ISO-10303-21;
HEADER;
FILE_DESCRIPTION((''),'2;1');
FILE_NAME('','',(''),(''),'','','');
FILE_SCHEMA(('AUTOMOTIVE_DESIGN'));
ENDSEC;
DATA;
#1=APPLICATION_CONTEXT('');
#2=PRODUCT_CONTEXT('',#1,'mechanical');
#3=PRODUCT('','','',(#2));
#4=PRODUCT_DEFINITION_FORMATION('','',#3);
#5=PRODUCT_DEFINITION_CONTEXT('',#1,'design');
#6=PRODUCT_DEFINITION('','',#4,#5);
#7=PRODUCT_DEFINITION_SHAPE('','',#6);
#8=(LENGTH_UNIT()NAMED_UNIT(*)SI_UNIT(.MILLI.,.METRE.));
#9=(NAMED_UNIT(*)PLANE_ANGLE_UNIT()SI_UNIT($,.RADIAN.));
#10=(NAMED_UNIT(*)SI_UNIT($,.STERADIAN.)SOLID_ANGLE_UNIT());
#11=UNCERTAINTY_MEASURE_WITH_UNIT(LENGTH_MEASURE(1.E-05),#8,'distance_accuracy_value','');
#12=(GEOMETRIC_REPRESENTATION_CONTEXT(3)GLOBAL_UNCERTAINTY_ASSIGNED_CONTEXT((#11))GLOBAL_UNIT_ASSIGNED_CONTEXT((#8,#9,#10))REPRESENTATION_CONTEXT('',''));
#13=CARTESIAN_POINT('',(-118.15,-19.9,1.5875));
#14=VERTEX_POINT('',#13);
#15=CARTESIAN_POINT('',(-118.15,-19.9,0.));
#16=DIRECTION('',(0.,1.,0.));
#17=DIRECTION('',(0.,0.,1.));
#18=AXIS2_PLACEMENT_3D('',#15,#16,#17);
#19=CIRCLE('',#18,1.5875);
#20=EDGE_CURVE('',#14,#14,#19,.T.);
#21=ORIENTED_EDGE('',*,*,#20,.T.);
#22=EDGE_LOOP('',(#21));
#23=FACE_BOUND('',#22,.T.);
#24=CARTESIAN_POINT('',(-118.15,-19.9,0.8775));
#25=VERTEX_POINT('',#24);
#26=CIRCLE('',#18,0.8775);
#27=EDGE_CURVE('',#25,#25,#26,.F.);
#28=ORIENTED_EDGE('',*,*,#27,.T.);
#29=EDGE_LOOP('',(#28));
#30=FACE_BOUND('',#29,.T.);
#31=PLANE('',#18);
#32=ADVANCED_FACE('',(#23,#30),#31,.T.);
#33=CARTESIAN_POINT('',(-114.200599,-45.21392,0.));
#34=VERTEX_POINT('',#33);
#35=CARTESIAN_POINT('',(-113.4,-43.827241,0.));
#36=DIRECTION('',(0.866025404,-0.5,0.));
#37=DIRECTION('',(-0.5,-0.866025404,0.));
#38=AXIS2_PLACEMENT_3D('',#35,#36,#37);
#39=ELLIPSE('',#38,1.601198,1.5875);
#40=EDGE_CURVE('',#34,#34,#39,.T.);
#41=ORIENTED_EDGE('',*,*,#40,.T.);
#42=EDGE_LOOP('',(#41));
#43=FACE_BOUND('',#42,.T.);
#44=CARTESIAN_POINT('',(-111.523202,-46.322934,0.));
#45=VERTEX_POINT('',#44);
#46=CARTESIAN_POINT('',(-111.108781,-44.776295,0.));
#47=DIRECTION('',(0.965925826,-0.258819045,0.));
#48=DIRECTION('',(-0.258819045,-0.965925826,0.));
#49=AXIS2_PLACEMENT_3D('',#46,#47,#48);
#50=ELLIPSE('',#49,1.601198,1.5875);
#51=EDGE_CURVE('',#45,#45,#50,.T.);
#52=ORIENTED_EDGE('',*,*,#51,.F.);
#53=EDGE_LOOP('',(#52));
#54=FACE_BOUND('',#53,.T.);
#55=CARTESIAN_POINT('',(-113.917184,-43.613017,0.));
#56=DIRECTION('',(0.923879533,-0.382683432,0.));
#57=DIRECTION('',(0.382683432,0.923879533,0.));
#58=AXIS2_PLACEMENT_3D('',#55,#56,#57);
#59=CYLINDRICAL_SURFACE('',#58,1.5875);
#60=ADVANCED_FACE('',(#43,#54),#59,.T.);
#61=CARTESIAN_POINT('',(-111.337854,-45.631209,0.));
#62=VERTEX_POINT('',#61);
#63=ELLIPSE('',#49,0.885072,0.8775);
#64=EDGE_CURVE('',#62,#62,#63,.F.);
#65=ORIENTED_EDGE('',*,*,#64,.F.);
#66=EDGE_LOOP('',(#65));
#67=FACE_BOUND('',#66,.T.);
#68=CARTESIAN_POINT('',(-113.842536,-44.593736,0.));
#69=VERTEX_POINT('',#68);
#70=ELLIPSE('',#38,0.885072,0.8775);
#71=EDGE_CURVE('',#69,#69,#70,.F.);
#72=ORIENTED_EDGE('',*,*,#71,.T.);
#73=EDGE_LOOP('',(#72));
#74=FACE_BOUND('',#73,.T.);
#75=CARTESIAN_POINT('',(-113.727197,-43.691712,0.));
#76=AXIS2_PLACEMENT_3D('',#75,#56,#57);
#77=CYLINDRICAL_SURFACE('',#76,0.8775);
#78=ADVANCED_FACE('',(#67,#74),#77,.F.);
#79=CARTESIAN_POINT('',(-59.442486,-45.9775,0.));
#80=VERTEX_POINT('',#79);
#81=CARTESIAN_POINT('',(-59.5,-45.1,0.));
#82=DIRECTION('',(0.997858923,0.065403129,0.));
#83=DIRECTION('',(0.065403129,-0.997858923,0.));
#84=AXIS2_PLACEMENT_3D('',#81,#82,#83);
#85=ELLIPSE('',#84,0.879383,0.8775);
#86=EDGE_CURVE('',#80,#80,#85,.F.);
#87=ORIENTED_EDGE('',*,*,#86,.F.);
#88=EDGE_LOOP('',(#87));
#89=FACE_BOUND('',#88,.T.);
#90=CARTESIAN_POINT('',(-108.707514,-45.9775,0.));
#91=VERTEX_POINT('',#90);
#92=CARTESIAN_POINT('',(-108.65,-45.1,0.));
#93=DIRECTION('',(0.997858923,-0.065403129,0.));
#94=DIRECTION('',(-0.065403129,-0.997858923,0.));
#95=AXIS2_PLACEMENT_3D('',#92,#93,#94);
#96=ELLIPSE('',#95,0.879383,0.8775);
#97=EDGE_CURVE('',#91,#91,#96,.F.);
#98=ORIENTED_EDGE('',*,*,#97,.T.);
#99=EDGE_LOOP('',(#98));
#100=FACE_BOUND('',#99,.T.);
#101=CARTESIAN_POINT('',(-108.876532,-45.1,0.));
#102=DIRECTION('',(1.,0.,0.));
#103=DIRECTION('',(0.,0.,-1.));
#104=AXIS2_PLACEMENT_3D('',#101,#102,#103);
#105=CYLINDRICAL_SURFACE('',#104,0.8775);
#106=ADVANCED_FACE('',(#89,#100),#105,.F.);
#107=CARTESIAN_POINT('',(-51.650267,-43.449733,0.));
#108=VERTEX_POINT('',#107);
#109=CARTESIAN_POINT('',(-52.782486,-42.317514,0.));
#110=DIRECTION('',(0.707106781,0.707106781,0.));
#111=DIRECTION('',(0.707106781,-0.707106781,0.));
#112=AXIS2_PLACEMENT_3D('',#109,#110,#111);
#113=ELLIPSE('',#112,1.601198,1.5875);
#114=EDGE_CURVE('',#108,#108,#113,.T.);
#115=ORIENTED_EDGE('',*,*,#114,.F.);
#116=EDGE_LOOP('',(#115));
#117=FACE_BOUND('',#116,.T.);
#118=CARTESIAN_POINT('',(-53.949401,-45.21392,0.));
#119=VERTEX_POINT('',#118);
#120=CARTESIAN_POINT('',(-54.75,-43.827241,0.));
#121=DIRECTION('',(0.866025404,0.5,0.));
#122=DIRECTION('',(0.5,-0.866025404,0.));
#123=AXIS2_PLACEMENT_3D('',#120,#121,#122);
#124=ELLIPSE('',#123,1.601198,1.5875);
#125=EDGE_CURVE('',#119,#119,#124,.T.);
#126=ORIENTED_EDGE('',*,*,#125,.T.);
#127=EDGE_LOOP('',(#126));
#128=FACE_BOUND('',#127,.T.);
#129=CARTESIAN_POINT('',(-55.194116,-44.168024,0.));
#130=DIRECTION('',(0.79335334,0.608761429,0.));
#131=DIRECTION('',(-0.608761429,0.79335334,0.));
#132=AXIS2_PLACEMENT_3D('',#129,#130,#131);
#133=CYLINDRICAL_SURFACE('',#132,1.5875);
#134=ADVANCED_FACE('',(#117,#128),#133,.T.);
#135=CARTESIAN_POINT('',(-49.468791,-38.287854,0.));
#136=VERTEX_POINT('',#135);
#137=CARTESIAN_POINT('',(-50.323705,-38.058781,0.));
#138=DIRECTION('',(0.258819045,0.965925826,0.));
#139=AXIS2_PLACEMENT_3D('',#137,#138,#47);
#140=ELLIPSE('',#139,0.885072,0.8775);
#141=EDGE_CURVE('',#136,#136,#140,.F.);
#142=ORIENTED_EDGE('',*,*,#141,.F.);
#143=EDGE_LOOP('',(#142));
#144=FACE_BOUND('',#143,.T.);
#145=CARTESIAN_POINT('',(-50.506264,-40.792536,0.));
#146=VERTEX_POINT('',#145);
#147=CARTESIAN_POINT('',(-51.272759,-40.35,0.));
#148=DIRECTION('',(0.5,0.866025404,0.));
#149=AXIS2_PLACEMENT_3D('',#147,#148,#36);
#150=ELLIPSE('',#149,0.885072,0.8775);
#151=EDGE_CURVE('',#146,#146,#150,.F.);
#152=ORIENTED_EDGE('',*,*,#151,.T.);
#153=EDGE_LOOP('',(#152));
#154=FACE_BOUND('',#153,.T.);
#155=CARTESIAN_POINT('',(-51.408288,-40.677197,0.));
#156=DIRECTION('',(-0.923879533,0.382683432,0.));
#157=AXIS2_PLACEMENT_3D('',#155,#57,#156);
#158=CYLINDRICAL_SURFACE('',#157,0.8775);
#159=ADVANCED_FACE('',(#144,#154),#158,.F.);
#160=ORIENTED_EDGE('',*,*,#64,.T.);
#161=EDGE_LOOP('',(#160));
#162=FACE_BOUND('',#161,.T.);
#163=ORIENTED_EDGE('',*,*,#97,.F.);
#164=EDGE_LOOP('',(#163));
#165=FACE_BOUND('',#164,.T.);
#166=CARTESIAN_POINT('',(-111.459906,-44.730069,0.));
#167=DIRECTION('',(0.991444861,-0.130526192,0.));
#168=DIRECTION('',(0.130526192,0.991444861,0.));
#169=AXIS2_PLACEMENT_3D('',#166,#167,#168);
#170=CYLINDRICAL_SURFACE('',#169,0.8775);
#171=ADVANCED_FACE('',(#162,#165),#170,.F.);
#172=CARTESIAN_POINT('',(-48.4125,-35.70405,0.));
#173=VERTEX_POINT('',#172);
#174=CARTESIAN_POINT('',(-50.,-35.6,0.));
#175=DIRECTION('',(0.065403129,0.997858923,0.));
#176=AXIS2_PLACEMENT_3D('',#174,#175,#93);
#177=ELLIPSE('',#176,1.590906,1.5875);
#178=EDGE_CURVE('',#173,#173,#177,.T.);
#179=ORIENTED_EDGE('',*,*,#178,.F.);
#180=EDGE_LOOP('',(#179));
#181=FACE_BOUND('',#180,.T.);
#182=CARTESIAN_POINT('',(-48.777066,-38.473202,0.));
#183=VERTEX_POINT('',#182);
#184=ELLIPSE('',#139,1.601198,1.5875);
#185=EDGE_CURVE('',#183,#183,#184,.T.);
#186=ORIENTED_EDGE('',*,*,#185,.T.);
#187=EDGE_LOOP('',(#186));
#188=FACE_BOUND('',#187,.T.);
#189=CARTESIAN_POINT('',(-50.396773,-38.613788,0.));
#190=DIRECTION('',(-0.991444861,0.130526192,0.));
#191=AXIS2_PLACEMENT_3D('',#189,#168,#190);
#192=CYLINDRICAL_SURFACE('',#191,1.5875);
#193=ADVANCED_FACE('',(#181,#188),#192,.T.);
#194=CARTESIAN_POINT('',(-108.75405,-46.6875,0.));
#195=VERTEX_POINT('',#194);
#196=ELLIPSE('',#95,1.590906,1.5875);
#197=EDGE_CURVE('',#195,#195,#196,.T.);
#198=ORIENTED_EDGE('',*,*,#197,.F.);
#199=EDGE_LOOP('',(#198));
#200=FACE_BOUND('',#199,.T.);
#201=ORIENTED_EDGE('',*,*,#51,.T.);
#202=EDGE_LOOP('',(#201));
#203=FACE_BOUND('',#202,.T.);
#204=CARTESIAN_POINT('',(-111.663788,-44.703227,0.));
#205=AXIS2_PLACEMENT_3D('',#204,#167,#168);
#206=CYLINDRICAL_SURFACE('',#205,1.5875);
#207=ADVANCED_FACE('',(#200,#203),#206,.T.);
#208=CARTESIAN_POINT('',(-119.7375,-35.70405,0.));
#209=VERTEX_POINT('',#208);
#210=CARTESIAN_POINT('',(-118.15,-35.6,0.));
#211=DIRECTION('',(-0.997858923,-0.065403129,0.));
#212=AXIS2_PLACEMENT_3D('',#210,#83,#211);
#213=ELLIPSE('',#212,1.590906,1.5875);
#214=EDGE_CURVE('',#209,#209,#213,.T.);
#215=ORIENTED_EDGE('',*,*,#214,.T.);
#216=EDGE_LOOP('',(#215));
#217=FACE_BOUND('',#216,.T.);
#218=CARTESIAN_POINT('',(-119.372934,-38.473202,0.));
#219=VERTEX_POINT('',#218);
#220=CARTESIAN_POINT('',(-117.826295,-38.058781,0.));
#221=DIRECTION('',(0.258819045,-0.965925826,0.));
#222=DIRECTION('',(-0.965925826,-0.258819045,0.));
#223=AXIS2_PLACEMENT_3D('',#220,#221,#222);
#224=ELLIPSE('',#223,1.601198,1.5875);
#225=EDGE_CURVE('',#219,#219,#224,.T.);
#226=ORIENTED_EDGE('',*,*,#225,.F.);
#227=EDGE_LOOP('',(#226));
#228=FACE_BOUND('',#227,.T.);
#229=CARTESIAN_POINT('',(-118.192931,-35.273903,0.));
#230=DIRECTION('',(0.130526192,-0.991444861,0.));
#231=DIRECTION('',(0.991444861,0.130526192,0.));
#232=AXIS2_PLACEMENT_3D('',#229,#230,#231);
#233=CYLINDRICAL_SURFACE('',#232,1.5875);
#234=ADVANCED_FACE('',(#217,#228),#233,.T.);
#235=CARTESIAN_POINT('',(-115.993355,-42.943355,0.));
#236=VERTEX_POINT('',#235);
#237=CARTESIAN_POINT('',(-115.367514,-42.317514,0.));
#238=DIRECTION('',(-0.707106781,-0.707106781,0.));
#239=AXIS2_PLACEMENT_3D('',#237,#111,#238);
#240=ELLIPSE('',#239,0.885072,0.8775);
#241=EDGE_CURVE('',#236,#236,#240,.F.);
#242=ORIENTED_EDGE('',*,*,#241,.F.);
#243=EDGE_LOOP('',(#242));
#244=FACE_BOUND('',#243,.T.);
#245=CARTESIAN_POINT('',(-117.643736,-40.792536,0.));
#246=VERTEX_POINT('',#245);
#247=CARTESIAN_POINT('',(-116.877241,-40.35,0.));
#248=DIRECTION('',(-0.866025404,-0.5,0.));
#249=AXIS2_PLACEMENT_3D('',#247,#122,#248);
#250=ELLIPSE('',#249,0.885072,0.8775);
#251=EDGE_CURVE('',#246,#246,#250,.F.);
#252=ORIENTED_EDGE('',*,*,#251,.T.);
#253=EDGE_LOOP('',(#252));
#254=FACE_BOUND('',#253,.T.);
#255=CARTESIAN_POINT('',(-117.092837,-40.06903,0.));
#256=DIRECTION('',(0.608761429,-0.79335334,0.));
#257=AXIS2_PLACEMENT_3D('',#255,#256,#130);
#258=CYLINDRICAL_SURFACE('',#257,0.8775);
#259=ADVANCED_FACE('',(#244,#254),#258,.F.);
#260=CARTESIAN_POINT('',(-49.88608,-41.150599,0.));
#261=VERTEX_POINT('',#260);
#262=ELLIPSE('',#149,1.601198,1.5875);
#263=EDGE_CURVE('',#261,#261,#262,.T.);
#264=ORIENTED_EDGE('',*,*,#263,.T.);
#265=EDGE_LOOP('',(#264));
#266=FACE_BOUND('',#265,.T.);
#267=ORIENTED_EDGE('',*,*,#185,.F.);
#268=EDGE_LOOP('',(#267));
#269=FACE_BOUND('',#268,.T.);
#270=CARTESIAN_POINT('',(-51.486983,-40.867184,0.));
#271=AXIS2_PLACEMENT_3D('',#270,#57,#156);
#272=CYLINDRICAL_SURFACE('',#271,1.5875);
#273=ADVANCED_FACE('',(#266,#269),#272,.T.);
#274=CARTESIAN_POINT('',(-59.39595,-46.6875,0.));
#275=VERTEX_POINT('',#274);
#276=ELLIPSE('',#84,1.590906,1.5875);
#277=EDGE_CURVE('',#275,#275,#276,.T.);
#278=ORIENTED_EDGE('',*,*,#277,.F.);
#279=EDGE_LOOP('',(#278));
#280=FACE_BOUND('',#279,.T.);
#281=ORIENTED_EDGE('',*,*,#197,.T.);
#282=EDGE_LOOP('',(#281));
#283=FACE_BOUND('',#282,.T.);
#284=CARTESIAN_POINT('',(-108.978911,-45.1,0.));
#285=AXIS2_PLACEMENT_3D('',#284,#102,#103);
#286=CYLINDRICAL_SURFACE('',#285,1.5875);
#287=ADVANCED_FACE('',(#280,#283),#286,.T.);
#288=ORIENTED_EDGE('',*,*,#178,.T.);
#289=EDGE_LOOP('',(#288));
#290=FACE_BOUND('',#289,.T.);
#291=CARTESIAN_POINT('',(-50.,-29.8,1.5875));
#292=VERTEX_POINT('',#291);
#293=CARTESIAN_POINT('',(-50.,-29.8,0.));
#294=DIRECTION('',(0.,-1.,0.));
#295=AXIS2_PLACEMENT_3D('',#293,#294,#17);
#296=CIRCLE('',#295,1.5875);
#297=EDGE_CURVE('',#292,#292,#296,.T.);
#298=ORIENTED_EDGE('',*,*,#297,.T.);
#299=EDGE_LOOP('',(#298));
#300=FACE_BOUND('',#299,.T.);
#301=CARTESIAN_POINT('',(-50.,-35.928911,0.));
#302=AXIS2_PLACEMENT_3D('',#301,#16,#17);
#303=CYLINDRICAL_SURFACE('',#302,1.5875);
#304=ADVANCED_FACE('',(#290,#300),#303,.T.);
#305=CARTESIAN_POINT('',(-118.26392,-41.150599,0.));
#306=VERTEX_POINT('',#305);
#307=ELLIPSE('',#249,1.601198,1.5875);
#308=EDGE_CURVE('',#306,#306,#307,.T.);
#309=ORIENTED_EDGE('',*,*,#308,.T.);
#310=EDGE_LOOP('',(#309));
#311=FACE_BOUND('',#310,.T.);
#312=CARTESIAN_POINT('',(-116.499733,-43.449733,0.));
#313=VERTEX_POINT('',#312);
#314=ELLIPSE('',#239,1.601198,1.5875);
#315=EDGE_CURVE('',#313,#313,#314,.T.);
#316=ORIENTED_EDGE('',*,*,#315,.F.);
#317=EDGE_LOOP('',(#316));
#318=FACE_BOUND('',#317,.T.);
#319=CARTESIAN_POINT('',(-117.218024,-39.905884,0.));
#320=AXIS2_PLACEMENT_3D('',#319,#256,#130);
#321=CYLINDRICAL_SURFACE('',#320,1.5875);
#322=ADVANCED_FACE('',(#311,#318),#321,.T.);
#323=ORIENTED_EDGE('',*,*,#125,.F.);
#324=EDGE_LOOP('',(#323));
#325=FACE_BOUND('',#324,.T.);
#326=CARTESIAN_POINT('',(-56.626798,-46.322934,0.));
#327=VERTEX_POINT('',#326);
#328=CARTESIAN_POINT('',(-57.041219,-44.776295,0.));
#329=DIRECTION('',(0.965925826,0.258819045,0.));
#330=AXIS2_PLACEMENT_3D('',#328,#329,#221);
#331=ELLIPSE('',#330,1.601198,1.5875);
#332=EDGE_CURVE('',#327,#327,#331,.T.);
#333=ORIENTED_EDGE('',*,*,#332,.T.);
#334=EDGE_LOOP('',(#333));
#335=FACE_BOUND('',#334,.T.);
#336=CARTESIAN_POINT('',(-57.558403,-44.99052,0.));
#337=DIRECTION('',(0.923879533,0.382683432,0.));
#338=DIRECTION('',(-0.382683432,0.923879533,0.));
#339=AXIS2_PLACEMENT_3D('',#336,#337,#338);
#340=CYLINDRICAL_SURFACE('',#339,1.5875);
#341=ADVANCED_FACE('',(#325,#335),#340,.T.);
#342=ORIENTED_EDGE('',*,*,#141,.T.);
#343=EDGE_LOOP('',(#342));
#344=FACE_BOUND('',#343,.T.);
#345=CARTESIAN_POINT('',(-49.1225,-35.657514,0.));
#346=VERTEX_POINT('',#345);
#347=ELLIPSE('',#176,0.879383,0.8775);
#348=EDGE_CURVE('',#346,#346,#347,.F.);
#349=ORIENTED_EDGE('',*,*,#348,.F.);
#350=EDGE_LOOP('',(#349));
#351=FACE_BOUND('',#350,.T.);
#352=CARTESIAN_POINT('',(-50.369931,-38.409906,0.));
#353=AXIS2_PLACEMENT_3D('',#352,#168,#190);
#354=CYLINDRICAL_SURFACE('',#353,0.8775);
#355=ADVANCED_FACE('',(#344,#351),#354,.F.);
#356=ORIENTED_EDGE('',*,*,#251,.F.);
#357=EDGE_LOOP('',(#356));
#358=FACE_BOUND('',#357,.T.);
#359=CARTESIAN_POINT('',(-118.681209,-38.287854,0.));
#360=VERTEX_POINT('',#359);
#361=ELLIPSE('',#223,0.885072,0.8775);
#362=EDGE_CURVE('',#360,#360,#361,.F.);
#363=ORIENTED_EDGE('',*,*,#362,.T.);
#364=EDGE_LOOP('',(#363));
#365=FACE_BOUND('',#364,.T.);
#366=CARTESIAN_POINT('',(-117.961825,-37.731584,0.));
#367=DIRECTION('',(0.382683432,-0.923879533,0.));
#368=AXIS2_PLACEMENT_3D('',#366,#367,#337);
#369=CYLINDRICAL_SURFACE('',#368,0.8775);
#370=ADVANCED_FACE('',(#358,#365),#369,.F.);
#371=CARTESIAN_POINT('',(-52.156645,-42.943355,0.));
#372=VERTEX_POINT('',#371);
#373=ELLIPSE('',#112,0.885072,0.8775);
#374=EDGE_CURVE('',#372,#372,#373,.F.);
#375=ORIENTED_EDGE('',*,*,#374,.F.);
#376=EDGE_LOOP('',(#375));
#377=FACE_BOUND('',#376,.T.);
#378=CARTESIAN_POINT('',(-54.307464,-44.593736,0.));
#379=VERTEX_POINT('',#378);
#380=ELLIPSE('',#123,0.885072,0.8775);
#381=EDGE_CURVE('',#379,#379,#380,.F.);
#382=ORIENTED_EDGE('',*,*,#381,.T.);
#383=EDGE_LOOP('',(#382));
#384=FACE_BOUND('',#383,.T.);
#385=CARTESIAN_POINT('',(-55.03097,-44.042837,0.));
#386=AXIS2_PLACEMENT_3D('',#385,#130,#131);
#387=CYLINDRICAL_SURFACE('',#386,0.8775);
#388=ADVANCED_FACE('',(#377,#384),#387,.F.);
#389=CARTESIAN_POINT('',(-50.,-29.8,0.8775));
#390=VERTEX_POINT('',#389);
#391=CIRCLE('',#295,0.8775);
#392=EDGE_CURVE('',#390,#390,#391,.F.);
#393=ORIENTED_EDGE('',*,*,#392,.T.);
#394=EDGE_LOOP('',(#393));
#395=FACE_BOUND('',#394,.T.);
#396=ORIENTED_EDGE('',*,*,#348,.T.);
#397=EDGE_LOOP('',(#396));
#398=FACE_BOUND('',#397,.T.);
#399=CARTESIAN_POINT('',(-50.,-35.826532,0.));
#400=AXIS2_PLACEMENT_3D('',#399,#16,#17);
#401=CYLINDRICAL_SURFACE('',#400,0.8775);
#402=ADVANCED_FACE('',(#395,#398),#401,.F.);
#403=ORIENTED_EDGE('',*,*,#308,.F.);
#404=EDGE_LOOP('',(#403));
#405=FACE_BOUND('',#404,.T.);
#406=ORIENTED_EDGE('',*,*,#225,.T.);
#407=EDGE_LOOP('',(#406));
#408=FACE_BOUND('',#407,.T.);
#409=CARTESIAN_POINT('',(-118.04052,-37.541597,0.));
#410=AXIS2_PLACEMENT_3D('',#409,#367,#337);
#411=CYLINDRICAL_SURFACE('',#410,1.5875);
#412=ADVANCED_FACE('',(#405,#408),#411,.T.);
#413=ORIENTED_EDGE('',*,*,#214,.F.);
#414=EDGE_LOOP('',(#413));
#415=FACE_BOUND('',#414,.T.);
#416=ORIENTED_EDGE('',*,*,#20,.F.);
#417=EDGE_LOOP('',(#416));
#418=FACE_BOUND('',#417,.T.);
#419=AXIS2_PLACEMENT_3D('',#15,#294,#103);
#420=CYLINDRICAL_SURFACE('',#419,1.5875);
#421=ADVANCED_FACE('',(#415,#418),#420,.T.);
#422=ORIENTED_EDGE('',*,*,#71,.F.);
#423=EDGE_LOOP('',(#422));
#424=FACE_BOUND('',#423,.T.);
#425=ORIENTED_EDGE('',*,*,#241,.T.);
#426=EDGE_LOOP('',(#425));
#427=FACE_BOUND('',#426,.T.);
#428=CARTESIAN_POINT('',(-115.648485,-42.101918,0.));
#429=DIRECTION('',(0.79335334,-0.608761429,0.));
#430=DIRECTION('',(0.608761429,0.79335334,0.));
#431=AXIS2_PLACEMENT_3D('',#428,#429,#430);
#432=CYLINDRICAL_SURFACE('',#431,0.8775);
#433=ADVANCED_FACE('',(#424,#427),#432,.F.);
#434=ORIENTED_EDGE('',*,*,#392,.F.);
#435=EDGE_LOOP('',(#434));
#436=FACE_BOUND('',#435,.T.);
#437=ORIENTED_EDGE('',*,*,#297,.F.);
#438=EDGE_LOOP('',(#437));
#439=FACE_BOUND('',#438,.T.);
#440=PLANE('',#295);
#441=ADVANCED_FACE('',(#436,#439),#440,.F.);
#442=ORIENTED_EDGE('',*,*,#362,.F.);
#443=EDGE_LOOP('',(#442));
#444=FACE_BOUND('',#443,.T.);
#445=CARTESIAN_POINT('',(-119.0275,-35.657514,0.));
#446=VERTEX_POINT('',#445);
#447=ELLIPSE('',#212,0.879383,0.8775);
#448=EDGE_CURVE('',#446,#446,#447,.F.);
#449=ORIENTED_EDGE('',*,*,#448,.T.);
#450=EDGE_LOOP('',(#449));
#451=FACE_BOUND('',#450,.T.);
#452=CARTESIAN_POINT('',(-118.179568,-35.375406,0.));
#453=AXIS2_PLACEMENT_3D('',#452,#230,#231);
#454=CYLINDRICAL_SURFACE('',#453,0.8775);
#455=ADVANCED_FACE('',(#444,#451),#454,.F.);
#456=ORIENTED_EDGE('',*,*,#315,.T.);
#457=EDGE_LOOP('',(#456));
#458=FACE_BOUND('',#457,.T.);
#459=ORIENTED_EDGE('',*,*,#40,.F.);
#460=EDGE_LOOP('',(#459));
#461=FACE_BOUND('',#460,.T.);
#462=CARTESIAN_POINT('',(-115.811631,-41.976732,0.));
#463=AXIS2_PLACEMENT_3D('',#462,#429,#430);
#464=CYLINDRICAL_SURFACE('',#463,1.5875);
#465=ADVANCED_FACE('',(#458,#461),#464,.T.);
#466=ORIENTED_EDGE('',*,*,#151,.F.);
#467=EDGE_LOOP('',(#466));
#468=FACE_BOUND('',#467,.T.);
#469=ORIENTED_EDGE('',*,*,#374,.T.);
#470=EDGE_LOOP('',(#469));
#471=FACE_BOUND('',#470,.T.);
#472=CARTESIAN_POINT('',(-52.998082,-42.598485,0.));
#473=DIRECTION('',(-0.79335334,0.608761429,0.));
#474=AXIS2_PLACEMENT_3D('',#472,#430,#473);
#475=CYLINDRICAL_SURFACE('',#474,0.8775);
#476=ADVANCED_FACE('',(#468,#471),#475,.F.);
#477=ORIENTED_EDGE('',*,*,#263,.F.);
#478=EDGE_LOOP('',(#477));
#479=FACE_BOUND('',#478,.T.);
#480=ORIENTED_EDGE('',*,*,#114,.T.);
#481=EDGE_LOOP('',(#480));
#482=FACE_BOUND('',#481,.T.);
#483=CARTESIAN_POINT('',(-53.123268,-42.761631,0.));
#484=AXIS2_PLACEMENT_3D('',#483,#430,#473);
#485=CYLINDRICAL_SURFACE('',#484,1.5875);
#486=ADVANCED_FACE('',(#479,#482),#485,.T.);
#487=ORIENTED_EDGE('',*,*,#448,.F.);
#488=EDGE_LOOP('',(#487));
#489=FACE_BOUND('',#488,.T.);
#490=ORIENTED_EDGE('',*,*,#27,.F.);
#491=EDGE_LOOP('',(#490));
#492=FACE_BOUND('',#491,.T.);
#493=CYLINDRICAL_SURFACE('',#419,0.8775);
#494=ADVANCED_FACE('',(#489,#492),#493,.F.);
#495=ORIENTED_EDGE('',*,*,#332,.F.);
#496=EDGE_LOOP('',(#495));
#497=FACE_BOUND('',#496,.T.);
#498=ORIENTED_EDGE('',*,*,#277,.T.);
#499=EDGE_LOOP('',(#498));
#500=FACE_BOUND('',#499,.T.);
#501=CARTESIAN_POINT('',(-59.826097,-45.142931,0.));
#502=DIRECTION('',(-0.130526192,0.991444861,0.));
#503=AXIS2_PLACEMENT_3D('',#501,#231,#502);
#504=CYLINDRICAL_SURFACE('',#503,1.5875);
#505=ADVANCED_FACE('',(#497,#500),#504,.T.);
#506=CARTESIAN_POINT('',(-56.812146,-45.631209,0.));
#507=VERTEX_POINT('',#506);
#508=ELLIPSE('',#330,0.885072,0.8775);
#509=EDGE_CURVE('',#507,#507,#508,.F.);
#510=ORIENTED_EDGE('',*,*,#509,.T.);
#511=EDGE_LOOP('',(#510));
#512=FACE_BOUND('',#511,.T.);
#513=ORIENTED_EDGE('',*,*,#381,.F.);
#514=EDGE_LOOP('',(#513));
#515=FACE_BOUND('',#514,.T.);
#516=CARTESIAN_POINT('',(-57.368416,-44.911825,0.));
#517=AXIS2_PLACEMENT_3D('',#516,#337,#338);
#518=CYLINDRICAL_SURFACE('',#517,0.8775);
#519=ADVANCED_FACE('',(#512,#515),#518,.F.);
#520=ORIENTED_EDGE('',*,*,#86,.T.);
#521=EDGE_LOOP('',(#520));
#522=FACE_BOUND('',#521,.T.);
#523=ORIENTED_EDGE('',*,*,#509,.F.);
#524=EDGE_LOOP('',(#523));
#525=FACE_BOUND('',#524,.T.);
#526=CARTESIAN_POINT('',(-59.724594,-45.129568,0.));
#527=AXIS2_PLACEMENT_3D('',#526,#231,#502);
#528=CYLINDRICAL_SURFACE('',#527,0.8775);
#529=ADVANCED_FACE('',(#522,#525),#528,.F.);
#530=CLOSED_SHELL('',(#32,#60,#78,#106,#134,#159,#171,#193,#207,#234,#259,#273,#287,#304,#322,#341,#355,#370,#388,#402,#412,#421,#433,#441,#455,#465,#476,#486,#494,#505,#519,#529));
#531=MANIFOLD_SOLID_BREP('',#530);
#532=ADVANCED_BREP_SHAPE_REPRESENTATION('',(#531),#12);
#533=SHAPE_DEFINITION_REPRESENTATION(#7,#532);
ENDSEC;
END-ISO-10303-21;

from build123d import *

# Parameters (mm, degrees)
PROFILE_R   = 1.5875
PROFILE_R_2 = 0.8775


with BuildPart() as part:
    # Tube: sweep along a curve in space
    with BuildLine() as tube_path:
        Line((-118.15, -19.9, 0), (-118.15, -35.6, 0))
        Line((-118.15, -35.6, 0), (-117.82629535, -38.058780928, 0))
        Line((-117.82629535, -38.058780928, 0), (-116.877241336, -40.35, 0))
        Line((-116.877241336, -40.35, 0), (-115.367514421, -42.317514421, 0))
        Line((-115.367514421, -42.317514421, 0), (-113.4, -43.827241336, 0))
        Line((-113.4, -43.827241336, 0), (-111.108780928, -44.77629535, 0))
        Line((-111.108780928, -44.77629535, 0), (-108.65, -45.1, 0))
        Line((-108.65, -45.1, 0), (-59.5, -45.1, 0))
        Line((-59.5, -45.1, 0), (-57.041219072, -44.77629535, 0))
        Line((-57.041219072, -44.77629535, 0), (-54.75, -43.827241336, 0))
        Line((-54.75, -43.827241336, 0), (-52.782485579, -42.317514421, 0))
        Line((-52.782485579, -42.317514421, 0), (-51.272758664, -40.35, 0))
        Line((-51.272758664, -40.35, 0), (-50.32370465, -38.058780928, 0))
        Line((-50.32370465, -38.058780928, 0), (-50, -35.6, 0))
        Line((-50, -35.6, 0), (-50, -29.8, 0))
    # Profile → Tube (sweep)
    with BuildSketch(Plane(origin=(0, -19.9, 0), x_dir=(1, 0, 0), z_dir=(0, 1, 0))):
        with Locations((-118.15, 0)):
            Circle(PROFILE_R)
        with Locations((-118.15, 0)):
            Circle(PROFILE_R_2, mode=Mode.SUBTRACT)
    sweep(path=tube_path.line, transition=Transition.RIGHT)


solid = part.part
